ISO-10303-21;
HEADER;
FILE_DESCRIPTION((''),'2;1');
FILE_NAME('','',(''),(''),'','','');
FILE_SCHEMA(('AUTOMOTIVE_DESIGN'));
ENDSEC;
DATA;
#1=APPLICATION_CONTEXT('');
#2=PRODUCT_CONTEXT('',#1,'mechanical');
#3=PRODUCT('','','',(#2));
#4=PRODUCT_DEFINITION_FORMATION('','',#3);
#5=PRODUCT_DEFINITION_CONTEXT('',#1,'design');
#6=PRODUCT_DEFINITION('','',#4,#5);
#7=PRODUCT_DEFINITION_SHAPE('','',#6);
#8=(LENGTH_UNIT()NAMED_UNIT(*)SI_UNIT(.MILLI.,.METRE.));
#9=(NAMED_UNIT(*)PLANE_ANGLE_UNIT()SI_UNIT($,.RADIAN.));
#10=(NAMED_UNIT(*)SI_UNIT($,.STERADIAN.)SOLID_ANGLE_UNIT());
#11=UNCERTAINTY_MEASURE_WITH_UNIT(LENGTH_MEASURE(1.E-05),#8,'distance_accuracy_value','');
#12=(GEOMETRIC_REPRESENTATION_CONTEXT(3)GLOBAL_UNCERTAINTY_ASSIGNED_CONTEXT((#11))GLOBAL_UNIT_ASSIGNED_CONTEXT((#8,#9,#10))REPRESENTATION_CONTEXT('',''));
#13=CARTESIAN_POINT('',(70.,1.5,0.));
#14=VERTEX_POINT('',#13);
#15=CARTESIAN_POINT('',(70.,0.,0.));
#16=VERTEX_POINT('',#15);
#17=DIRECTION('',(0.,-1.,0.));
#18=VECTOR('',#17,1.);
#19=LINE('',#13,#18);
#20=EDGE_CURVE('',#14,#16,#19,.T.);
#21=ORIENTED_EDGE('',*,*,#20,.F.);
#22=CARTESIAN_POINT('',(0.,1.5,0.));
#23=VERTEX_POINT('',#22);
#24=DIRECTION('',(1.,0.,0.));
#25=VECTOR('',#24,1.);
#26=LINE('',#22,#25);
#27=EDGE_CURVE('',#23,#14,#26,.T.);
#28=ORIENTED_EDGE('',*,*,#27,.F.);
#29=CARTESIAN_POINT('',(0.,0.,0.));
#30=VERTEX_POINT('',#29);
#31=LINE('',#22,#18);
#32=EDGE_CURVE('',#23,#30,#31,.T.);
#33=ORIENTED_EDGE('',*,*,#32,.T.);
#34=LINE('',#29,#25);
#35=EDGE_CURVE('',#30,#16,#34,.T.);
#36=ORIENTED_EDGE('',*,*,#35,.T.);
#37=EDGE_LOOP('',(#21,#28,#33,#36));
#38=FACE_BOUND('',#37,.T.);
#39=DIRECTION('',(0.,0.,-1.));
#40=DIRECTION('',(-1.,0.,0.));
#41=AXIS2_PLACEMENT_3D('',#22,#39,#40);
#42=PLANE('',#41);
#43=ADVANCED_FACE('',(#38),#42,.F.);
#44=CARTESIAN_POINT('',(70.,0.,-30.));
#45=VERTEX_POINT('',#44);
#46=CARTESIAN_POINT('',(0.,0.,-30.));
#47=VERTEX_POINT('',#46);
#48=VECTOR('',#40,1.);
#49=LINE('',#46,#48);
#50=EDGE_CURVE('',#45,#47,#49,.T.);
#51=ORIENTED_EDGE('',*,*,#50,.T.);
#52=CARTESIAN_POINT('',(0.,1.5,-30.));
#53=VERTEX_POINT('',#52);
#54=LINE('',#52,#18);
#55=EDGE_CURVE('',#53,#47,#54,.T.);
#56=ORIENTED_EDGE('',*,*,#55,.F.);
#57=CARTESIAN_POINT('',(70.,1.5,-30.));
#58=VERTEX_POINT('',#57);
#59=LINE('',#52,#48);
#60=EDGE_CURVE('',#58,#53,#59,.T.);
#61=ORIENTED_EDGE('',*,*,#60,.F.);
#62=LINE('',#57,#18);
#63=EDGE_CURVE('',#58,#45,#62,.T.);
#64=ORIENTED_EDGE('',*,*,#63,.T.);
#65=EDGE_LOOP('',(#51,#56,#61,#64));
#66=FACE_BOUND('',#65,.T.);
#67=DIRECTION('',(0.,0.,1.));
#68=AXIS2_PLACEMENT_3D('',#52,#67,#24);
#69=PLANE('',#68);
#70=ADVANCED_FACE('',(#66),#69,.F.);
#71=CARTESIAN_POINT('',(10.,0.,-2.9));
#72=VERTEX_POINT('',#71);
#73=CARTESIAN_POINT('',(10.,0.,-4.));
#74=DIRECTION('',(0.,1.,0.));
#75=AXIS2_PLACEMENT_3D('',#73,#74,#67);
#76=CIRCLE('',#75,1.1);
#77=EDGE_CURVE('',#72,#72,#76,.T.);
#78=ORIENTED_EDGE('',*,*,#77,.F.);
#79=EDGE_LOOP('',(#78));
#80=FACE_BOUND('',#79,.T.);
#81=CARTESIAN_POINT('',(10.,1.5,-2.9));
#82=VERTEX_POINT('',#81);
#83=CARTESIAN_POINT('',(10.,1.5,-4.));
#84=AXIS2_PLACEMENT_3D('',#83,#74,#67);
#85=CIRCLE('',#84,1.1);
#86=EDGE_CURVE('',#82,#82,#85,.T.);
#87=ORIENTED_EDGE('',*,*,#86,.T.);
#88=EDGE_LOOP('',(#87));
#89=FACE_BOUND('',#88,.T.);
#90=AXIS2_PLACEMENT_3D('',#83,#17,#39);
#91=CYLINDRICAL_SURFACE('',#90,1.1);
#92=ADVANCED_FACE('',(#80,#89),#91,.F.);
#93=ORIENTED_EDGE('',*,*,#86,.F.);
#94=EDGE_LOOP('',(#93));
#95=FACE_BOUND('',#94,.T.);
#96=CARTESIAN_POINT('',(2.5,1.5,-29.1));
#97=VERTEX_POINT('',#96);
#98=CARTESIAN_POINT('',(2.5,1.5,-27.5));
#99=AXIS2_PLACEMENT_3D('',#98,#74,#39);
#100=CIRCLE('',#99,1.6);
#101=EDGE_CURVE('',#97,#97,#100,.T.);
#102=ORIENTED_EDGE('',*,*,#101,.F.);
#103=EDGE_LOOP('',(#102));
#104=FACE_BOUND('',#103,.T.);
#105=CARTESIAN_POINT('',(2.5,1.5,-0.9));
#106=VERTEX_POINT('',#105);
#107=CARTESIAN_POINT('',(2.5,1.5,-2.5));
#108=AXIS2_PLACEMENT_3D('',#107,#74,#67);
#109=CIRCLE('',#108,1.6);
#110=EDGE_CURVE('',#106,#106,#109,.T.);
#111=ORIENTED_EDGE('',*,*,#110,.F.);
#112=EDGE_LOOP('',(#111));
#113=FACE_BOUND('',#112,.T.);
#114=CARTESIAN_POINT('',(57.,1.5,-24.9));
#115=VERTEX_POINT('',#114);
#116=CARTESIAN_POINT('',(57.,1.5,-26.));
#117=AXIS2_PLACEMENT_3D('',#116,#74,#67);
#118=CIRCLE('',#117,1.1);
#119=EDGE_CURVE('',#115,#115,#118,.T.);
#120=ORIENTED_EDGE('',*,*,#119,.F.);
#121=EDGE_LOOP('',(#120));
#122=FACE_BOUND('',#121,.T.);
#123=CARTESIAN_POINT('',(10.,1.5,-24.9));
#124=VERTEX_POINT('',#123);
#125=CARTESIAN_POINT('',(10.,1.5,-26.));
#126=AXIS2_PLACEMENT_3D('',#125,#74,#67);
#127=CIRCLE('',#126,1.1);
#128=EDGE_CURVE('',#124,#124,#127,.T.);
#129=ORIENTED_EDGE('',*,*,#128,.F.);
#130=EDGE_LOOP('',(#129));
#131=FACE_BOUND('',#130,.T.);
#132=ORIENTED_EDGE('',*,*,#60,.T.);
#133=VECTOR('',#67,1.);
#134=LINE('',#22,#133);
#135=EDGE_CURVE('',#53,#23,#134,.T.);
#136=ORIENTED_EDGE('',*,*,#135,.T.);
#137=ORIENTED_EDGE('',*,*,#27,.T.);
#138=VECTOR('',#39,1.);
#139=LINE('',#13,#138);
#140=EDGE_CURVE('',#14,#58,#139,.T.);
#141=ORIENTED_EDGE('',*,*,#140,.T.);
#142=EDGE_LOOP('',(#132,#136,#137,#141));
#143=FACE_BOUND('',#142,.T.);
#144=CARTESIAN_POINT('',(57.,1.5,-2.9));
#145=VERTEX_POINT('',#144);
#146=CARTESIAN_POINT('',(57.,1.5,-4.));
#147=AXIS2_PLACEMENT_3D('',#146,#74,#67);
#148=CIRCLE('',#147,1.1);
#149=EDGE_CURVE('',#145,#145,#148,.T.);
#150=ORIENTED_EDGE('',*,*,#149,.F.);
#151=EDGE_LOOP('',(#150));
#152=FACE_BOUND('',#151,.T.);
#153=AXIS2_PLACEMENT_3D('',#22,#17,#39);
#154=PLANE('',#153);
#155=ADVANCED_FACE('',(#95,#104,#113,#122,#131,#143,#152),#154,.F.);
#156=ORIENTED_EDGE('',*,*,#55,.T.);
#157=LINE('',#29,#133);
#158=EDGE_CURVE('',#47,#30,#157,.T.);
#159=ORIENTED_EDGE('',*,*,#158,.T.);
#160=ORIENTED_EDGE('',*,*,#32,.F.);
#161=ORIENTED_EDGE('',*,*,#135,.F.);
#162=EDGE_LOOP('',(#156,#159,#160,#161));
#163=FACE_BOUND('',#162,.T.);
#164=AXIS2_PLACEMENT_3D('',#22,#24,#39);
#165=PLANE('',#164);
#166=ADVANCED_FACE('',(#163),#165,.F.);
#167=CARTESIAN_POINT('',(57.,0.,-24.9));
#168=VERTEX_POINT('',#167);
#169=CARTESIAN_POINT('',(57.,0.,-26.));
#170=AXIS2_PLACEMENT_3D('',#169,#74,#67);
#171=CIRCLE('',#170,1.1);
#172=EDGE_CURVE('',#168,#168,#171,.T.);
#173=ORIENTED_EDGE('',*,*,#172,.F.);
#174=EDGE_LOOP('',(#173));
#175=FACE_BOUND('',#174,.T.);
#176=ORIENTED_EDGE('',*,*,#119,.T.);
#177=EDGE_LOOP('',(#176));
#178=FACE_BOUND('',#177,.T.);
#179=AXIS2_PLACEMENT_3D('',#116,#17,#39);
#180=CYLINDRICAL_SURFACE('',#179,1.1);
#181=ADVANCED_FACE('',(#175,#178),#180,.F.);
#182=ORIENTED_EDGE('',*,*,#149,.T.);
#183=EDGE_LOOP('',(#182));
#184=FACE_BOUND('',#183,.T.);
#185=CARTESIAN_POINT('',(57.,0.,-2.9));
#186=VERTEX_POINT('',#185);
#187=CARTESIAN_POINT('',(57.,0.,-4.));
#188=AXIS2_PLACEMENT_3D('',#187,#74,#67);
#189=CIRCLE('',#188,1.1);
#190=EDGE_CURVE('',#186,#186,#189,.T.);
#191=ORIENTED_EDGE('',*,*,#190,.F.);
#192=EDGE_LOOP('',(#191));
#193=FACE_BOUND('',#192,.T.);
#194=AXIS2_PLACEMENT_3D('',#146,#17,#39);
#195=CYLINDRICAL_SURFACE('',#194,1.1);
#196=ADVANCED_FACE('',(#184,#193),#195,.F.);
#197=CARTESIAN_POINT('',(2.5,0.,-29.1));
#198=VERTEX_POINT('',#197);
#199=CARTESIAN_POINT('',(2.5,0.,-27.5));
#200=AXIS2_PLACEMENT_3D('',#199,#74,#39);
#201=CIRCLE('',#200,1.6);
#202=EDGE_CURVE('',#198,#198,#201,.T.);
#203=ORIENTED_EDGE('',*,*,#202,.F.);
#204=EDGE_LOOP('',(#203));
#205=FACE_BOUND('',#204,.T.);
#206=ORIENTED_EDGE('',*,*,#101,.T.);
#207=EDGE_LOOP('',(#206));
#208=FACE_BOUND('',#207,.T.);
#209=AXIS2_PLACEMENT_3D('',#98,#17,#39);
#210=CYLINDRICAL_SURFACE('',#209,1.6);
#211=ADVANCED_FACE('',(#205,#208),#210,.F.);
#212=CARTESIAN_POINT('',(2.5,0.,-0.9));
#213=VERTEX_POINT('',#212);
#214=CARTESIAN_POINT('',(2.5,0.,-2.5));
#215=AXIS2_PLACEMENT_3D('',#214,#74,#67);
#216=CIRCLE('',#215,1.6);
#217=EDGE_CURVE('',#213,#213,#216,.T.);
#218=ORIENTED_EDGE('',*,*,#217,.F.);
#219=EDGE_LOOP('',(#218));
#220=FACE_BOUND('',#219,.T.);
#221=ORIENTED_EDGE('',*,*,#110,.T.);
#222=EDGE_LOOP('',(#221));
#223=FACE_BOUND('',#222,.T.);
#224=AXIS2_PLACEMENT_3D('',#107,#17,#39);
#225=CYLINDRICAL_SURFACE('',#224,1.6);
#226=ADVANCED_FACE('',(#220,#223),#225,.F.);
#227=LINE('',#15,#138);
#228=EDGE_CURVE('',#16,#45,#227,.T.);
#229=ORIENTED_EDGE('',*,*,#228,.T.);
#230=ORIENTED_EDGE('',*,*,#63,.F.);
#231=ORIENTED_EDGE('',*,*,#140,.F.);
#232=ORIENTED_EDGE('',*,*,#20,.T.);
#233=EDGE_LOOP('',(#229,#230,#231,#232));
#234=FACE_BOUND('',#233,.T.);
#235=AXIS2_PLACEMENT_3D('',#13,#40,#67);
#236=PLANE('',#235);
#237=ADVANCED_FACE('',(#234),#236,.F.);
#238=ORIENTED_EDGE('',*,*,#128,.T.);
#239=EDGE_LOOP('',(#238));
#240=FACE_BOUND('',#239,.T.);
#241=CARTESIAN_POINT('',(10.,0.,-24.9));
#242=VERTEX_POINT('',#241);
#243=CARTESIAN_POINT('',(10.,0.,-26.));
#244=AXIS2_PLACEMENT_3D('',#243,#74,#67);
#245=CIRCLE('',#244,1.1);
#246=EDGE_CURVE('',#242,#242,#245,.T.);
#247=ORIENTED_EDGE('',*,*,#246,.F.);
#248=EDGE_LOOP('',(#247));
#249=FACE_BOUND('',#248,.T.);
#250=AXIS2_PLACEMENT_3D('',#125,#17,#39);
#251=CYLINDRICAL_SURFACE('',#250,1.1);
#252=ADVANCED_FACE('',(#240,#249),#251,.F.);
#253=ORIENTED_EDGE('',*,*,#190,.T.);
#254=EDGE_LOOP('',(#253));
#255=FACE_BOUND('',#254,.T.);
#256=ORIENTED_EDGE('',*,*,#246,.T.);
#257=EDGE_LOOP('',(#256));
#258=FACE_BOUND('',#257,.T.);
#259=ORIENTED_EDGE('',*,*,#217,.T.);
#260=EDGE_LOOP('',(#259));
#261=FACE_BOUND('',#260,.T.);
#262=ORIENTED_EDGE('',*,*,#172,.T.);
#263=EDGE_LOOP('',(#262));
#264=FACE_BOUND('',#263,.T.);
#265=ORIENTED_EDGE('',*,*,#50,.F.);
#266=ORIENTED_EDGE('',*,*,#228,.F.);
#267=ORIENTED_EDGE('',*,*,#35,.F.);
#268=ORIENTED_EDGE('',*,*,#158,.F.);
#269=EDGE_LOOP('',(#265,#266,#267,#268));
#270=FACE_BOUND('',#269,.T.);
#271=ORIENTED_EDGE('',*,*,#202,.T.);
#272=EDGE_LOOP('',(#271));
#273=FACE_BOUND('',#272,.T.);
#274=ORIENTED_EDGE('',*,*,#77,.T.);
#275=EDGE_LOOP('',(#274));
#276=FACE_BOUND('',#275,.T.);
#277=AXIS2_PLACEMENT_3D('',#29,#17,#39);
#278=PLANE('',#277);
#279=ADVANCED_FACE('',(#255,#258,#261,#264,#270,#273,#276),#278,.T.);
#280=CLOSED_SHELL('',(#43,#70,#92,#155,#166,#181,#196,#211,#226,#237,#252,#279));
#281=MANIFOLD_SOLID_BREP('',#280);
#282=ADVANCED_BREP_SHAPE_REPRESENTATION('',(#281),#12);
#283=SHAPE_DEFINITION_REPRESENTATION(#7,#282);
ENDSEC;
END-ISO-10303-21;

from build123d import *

# Parameters (mm, degrees)
SKETCH_1_W      = 70
SKETCH_1_H      = 30
SKETCH_1_R      = 1.1
SKETCH_1_R_2    = 1.6
EXTRUDE_1_DEPTH = 1.5


with BuildPart() as part:
    # Эскиз1 → Бобышка-Вытянуть1 (new body)
    with BuildSketch(Plane(origin=(0, 0, 0), x_dir=(1, 0, 0), z_dir=(0, 1, 0))):
        with Locations((35, 15)):
            Rectangle(SKETCH_1_W, SKETCH_1_H)
        with Locations((10, 4)):
            Circle(SKETCH_1_R, mode=Mode.SUBTRACT)
        with Locations((57, 4)):
            Circle(SKETCH_1_R, mode=Mode.SUBTRACT)
        with Locations((57, 26)):
            Circle(SKETCH_1_R, mode=Mode.SUBTRACT)
        with Locations((10, 26)):
            Circle(SKETCH_1_R, mode=Mode.SUBTRACT)
        with Locations((2.5, 2.5)):
            Circle(SKETCH_1_R_2, mode=Mode.SUBTRACT)
        with Locations((2.5, 27.5)):
            Circle(SKETCH_1_R_2, mode=Mode.SUBTRACT)
    extrude(amount=EXTRUDE_1_DEPTH)


solid = part.part
